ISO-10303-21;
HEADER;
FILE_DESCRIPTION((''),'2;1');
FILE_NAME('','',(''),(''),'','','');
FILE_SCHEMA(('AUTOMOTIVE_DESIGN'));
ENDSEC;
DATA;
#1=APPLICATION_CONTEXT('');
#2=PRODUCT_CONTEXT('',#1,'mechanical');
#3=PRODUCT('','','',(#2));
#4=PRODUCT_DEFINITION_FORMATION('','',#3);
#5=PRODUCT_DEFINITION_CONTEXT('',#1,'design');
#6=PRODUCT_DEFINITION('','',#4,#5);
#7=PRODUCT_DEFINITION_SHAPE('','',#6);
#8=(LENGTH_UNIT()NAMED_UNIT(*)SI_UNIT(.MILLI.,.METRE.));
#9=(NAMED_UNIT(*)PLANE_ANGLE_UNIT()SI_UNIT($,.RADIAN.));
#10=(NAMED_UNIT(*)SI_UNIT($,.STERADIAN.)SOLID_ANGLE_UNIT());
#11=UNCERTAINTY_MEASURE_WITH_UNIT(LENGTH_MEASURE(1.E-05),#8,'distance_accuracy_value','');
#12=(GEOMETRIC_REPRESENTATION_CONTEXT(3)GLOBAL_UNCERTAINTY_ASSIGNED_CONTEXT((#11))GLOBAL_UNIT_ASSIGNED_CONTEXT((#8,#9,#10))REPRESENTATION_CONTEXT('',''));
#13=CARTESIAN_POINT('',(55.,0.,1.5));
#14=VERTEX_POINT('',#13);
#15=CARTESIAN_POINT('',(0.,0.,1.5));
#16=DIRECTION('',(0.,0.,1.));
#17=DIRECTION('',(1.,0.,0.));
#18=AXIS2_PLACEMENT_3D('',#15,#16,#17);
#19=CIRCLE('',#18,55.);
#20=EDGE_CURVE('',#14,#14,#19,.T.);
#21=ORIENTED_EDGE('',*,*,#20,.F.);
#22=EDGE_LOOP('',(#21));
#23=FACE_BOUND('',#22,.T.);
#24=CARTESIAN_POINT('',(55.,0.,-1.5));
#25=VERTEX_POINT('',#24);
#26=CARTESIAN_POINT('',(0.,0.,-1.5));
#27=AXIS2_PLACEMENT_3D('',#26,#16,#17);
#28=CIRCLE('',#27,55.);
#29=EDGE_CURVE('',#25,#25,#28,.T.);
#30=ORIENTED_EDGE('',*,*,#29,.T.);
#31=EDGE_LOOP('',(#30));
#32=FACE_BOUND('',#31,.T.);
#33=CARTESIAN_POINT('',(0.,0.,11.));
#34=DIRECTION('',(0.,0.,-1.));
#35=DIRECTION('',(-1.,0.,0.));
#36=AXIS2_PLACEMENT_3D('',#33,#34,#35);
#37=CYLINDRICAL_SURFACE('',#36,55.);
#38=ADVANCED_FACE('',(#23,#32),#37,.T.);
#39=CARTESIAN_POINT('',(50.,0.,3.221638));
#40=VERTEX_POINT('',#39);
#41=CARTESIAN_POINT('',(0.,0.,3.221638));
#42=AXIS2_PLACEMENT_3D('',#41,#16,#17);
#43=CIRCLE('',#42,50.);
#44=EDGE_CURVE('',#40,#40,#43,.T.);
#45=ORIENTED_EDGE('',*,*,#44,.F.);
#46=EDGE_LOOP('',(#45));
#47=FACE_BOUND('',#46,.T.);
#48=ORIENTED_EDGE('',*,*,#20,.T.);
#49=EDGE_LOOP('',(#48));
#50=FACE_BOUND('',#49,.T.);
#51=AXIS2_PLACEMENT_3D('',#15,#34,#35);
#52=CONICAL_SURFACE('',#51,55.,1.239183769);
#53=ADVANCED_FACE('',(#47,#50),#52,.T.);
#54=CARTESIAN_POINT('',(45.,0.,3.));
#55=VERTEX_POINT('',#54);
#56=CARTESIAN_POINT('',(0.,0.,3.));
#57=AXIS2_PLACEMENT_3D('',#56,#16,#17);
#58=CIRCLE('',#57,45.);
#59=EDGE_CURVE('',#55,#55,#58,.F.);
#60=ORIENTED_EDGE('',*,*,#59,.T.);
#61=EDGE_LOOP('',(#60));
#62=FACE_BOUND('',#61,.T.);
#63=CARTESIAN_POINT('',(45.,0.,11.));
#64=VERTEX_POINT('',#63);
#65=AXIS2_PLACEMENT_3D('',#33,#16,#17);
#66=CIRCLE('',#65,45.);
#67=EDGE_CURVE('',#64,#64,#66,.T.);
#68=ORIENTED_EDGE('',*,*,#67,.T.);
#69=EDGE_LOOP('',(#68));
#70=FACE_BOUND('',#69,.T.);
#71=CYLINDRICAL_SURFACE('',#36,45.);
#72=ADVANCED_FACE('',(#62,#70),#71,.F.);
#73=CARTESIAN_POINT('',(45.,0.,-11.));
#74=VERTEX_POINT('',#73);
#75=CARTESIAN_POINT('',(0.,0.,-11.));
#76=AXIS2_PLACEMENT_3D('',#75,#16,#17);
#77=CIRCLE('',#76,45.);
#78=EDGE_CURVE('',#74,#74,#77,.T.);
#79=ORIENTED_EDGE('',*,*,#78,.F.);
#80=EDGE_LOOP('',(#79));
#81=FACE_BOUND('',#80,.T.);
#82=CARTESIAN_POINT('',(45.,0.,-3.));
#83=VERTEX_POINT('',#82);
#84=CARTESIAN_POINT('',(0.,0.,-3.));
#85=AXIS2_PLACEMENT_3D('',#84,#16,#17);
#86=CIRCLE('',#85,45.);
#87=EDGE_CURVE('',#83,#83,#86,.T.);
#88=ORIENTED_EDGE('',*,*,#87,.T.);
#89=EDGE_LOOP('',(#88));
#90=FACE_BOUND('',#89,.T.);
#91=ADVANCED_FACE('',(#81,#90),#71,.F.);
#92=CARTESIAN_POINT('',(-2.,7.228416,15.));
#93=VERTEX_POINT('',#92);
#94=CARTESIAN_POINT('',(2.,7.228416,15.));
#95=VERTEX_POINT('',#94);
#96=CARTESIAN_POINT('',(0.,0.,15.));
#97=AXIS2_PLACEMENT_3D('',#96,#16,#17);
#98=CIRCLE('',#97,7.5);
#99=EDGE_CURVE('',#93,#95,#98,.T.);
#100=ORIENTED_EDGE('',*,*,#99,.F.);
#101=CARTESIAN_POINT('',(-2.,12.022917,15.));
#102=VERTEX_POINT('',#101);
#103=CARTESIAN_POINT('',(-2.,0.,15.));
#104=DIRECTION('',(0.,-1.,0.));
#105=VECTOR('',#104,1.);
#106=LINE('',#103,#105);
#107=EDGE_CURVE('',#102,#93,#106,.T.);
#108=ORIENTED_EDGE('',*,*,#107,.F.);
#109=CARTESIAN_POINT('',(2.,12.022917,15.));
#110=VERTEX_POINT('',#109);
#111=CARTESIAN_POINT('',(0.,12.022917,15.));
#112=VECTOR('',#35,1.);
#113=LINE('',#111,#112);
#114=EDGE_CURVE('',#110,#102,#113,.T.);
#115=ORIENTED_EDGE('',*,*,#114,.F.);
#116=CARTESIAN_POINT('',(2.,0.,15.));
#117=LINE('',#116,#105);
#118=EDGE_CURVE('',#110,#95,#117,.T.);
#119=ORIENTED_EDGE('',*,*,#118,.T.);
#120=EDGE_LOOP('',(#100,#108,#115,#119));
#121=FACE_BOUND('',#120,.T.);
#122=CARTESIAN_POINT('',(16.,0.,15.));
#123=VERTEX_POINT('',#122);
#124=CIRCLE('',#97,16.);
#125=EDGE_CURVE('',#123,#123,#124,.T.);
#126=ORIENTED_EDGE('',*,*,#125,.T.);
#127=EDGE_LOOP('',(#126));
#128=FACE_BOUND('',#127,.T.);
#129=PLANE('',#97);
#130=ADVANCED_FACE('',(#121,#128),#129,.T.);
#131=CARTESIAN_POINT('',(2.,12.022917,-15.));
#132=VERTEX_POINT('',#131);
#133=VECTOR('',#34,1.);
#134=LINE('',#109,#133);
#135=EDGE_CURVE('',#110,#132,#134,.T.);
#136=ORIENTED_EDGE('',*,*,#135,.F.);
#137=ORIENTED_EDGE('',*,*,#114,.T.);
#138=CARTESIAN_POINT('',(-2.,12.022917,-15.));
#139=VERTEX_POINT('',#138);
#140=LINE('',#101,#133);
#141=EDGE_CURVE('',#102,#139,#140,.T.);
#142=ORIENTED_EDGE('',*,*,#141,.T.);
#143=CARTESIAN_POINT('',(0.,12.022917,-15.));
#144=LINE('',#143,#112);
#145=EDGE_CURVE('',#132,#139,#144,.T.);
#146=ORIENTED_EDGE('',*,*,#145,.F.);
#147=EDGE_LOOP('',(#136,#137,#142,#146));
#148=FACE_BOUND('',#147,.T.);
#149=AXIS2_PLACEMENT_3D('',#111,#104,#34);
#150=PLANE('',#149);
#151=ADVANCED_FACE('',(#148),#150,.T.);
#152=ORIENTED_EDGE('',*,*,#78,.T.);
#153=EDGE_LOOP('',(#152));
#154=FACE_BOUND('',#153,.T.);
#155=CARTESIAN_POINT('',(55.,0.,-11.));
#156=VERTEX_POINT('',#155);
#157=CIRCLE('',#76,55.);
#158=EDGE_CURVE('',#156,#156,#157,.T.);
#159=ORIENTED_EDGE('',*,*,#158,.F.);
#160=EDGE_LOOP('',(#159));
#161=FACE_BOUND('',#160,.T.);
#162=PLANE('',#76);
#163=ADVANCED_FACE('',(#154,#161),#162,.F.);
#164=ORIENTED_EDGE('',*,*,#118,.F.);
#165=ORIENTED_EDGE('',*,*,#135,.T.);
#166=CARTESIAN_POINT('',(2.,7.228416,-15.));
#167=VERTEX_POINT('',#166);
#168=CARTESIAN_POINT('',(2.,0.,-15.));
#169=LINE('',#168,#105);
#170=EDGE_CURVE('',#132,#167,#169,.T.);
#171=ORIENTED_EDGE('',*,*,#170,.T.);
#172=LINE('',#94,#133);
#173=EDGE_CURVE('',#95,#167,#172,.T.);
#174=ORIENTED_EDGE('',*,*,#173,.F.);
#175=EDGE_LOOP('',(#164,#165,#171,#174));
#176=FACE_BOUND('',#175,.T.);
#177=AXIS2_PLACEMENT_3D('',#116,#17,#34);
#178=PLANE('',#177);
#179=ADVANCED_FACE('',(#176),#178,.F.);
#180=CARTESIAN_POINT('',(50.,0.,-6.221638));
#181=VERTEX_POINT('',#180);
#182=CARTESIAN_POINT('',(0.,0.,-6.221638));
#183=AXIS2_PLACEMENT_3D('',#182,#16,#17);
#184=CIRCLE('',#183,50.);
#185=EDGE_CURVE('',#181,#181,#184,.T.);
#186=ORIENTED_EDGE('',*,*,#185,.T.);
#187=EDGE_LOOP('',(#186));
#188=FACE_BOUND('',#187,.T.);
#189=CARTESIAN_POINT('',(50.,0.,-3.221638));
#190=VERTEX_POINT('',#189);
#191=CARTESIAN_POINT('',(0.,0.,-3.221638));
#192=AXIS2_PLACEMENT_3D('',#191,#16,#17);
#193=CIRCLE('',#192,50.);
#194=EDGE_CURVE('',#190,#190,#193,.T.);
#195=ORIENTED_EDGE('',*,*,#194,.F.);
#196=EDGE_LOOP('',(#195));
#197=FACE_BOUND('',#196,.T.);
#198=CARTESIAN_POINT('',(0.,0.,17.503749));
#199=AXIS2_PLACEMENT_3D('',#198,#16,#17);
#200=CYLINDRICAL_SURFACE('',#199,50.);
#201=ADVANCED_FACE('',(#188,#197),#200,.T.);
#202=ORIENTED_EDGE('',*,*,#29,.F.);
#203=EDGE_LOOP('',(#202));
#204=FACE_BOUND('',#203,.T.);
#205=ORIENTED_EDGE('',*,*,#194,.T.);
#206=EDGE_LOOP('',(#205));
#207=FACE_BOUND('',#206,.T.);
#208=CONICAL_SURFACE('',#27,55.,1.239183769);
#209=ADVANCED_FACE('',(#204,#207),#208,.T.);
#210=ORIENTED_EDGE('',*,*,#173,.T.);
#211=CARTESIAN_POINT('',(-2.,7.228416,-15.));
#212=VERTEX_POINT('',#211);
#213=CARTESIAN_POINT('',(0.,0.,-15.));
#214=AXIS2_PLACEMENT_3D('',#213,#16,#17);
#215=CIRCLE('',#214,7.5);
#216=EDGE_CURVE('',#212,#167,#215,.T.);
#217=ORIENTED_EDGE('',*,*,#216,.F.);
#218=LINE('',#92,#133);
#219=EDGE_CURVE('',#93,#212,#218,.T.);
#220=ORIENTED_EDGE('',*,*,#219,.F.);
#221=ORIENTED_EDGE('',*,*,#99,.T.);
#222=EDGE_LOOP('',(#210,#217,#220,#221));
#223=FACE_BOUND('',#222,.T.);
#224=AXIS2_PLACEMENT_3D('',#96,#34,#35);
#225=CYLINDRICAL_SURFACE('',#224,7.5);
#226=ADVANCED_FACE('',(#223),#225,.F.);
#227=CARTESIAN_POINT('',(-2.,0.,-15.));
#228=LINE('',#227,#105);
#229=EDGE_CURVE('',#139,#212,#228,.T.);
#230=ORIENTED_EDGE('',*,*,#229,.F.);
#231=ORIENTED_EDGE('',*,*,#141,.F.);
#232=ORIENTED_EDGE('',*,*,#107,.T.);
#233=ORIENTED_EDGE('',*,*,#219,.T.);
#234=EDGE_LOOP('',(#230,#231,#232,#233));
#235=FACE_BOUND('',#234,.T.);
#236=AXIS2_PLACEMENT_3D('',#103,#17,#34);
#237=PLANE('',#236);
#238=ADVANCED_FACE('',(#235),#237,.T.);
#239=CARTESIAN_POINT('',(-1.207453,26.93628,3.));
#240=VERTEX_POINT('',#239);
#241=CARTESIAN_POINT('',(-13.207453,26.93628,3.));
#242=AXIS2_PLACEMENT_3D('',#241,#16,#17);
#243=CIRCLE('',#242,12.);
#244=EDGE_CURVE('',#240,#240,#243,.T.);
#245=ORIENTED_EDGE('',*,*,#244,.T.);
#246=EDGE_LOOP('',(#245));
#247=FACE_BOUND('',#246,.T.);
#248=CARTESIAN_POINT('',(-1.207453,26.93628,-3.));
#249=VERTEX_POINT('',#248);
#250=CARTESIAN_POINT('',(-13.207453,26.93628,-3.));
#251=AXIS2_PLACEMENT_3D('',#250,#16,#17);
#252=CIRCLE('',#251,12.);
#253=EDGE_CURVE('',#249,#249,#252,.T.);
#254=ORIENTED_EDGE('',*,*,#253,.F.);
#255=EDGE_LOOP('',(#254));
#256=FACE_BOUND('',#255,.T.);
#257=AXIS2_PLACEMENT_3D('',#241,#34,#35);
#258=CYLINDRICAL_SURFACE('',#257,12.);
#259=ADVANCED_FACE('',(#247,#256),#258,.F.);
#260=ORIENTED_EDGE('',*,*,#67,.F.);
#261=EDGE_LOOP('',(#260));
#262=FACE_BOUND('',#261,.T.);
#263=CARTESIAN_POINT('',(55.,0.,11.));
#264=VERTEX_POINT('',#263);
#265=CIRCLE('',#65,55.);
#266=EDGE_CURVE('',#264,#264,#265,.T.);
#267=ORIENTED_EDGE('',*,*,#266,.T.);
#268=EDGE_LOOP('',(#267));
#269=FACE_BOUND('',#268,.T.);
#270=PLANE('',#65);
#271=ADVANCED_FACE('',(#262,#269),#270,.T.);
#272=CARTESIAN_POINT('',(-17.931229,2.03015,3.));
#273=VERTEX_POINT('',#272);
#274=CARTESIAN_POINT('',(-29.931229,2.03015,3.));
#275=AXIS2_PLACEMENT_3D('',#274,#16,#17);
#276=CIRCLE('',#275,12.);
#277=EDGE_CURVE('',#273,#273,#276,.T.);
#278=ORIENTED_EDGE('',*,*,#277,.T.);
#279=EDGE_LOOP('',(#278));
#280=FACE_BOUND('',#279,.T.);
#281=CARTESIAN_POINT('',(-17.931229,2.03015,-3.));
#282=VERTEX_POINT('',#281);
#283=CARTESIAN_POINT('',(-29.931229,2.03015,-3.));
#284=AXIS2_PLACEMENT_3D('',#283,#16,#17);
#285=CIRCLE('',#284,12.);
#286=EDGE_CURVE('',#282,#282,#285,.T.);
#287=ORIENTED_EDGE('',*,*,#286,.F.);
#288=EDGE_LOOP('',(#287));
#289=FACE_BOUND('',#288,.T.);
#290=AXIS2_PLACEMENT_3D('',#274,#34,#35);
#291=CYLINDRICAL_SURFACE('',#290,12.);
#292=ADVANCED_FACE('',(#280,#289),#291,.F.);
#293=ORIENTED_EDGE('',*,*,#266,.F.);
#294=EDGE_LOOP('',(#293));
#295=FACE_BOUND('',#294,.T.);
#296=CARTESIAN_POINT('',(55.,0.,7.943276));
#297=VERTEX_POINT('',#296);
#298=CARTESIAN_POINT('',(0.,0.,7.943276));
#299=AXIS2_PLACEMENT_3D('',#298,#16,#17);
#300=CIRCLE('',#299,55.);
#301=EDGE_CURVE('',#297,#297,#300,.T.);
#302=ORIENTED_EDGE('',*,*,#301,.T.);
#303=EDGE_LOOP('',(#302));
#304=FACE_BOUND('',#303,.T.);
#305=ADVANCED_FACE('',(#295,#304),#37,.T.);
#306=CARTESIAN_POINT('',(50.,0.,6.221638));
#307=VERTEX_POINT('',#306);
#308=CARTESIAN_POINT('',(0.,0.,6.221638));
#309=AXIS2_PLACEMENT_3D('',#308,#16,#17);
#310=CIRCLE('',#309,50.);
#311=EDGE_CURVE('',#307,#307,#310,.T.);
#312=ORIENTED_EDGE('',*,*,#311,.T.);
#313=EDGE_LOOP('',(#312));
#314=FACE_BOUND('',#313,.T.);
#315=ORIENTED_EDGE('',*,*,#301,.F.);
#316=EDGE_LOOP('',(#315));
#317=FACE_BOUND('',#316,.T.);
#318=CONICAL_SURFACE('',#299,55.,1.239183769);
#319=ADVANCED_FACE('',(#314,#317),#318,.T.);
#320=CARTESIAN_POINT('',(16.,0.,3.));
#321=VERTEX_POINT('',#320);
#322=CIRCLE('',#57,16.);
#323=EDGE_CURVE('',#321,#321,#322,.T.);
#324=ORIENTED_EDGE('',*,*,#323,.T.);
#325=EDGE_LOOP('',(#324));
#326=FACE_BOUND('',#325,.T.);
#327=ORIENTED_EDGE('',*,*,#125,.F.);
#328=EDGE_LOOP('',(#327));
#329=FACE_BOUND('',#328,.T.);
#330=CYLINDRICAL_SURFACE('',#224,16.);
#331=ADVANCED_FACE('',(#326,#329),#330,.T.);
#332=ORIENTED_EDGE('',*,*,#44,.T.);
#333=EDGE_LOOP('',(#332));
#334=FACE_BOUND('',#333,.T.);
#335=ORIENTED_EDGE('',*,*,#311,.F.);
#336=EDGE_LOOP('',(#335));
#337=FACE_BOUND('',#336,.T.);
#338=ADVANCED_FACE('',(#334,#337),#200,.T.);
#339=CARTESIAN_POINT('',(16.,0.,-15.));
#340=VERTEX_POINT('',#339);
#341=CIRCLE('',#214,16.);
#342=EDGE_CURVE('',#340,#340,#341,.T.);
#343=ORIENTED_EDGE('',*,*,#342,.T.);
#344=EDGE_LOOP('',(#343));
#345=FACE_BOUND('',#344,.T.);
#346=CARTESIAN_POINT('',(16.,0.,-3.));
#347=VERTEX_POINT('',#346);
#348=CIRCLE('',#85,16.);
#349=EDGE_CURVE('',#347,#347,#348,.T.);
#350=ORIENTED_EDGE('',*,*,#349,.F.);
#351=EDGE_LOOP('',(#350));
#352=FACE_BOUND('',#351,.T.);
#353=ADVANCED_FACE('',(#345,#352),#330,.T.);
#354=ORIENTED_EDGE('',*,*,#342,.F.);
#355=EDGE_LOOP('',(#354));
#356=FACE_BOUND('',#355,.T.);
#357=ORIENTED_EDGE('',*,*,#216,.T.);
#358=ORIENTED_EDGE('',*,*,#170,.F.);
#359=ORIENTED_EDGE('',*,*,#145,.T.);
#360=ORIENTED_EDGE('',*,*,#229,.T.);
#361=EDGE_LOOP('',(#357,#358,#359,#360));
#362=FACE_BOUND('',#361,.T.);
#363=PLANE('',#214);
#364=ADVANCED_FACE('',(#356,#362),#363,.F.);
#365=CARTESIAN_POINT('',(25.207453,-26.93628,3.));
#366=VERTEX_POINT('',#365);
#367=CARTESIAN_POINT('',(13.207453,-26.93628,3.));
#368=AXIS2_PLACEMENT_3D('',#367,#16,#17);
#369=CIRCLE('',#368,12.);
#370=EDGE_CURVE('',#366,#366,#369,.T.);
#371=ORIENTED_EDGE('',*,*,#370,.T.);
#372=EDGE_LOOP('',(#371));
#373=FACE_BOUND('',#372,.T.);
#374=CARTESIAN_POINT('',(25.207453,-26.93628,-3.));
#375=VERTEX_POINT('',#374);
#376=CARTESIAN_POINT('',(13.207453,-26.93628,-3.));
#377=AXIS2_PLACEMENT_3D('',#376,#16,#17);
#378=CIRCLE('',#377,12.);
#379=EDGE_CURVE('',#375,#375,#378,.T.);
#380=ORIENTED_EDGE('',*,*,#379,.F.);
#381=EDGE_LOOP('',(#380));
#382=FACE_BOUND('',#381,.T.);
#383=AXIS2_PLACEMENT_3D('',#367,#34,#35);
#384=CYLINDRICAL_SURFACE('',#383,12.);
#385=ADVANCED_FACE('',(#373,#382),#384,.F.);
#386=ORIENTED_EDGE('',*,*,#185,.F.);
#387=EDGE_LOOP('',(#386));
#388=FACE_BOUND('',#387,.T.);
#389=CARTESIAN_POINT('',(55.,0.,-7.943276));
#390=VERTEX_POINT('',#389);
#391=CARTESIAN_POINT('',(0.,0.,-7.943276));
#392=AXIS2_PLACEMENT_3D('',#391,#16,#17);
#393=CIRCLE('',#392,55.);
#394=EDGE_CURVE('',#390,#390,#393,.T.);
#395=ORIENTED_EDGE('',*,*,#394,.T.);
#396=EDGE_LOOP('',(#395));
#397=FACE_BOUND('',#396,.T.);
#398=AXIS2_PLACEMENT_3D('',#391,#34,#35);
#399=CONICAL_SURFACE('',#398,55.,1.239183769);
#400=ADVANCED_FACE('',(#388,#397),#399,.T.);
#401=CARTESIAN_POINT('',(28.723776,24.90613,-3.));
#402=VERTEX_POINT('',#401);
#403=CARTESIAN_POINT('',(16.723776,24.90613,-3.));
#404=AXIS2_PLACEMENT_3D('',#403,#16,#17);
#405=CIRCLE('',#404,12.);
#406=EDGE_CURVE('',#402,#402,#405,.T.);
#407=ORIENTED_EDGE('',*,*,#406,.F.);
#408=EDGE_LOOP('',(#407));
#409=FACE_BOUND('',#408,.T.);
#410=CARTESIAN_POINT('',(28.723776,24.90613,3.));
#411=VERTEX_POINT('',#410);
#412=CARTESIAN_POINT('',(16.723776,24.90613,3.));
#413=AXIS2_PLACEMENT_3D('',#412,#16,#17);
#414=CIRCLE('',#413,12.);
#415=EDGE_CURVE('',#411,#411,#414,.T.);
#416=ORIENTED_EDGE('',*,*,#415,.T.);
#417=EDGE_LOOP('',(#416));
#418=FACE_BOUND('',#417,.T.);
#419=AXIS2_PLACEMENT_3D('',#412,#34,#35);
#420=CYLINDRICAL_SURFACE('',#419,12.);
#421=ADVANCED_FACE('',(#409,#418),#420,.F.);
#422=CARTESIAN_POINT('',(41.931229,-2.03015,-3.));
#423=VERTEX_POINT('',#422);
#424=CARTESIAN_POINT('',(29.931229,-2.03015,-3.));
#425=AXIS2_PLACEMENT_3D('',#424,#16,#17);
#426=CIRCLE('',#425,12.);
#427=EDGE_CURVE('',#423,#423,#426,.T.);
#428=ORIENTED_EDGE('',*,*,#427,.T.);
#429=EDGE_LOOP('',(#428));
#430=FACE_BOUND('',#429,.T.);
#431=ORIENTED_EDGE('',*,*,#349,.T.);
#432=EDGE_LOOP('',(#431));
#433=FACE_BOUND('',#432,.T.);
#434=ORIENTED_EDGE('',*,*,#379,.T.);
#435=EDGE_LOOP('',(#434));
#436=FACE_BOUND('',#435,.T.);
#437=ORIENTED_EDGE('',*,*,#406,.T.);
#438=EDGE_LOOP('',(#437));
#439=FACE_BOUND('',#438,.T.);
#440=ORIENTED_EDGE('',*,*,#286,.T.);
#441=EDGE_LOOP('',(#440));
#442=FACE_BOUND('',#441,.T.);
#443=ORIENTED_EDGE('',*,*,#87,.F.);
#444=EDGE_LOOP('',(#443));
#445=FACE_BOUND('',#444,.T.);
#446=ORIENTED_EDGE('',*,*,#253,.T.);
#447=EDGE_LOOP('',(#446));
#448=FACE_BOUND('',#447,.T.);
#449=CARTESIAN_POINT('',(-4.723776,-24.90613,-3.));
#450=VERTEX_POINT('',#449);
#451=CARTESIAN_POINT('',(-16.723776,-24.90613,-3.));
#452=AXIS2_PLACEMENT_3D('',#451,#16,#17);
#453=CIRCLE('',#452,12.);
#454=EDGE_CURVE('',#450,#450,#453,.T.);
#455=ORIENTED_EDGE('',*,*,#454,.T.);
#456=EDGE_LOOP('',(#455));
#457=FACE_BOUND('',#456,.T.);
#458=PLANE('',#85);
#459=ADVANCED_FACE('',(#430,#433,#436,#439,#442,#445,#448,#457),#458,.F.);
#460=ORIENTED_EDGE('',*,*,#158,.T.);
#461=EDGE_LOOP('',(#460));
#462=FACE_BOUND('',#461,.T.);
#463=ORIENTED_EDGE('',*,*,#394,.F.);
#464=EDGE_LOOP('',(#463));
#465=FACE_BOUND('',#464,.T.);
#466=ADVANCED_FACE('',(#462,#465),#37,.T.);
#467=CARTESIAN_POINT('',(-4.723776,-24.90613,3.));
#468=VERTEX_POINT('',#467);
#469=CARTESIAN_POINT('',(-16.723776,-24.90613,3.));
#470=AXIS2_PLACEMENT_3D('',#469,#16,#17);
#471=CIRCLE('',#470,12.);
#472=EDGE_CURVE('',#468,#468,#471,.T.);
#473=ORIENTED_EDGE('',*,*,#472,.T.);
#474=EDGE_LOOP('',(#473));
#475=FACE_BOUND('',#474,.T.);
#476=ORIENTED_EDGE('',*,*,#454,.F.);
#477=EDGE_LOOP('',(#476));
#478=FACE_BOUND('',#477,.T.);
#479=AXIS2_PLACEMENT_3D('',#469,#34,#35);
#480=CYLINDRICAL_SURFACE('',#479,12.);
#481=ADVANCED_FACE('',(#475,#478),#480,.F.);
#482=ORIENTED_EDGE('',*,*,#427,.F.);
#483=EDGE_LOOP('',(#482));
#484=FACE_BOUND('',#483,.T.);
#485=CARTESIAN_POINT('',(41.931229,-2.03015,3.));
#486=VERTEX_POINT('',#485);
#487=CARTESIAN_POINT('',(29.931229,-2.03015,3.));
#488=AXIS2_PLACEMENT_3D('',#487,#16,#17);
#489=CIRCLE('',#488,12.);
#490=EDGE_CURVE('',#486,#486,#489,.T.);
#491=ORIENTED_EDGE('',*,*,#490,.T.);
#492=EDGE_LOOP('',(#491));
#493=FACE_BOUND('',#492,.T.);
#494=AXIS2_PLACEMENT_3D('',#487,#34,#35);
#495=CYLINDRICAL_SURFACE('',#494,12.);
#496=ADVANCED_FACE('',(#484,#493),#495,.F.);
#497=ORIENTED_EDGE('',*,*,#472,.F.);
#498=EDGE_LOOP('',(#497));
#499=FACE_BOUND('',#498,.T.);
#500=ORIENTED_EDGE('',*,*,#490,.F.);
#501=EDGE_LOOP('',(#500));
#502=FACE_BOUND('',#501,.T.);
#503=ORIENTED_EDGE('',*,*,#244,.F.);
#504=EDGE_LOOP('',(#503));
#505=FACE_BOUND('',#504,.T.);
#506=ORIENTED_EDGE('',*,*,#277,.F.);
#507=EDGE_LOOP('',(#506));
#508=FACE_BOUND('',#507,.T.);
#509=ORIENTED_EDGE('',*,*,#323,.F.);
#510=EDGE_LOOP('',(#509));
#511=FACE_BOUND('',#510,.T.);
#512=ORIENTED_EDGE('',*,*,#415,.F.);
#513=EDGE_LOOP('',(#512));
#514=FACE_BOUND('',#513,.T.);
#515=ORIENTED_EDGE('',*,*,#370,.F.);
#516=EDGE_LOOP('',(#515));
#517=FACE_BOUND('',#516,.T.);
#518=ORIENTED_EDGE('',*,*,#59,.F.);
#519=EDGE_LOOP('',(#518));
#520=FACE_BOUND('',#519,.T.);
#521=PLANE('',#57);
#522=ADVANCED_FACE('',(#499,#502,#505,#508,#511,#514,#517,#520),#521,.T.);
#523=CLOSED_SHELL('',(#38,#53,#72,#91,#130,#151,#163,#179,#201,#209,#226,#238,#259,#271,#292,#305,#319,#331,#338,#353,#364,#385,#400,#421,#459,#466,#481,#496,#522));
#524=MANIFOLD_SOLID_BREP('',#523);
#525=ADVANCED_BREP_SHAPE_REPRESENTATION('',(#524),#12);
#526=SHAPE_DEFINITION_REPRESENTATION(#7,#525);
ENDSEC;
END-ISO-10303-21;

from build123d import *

# Parameters (mm, degrees)
SKETCH_1_R      = 16
EXTRUDE_1_DEPTH = 15
SKETCH_1_3_R    = 45
SKETCH_1_3_R_2  = 12
SKETCH_1_3_R_3  = 16
EXTRUDE_2_DEPTH = 3
SKETCH_1_4_R    = 55
SKETCH_1_4_R_2  = 45
EXTRUDE_3_DEPTH = 11


with BuildPart() as part:
    # 草图1 → 凸台-拉伸1 (new, symmetric)
    with BuildSketch(Plane.XY):
        Circle(SKETCH_1_R)
        with BuildLine():
            Line((-2, 12.022916711), (0, 12.022916711))
            Line((0, 12.022916711), (2, 12.022916711))
            Line((2, 12.022916711), (2, 7.228416147))
            ThreePointArc((2, 7.228416147), (0, -7.5), (-2, 7.228416147))
            Line((-2, 7.228416147), (-2, 12.022916711))
        make_face(mode=Mode.SUBTRACT)
    extrude(amount=EXTRUDE_1_DEPTH, both=True)

    # 草图1<3> → 凸台-拉伸2 (add, symmetric)
    with BuildSketch(Plane.XY):
        Circle(SKETCH_1_3_R)
        with Locations((-16.723776012, -24.906130087)):
            Circle(SKETCH_1_3_R_2, mode=Mode.SUBTRACT)
        with Locations((13.207453359, -26.936279917)):
            Circle(SKETCH_1_3_R_2, mode=Mode.SUBTRACT)
        with Locations((29.931229371, -2.03014983)):
            Circle(SKETCH_1_3_R_2, mode=Mode.SUBTRACT)
        with Locations((-29.931229371, 2.03014983)):
            Circle(SKETCH_1_3_R_2, mode=Mode.SUBTRACT)
        with Locations((-13.207453359, 26.936279917)):
            Circle(SKETCH_1_3_R_2, mode=Mode.SUBTRACT)
        Circle(SKETCH_1_3_R_3, mode=Mode.SUBTRACT)
        with Locations((16.723776012, 24.906130087)):
            Circle(SKETCH_1_3_R_2, mode=Mode.SUBTRACT)
    extrude(amount=EXTRUDE_2_DEPTH, both=True)

    # 草图1<4> → 凸台-拉伸3 (add, symmetric)
    with BuildSketch(Plane.XY):
        Circle(SKETCH_1_4_R)
        Circle(SKETCH_1_4_R_2, mode=Mode.SUBTRACT)
    extrude(amount=EXTRUDE_3_DEPTH, both=True)

    # 草图2 → 切除-旋转2 (revolve, cut)
    with BuildSketch(Plane(origin=(0, 0, 0), x_dir=(0, 0, -1), z_dir=(1, 0, 0))):
        Polygon((-1.5, 55), (-7.943276133, 55), (-6.221638066, 50), (-3.221638066, 50), align=None)
        Polygon((7.943276133, 55), (1.5, 55), (3.221638066, 50), (6.221638066, 50), align=None)
    revolve(axis=Axis((0, 0, 17.503748609), (0, 0, -1)), mode=Mode.SUBTRACT)


solid = part.part
